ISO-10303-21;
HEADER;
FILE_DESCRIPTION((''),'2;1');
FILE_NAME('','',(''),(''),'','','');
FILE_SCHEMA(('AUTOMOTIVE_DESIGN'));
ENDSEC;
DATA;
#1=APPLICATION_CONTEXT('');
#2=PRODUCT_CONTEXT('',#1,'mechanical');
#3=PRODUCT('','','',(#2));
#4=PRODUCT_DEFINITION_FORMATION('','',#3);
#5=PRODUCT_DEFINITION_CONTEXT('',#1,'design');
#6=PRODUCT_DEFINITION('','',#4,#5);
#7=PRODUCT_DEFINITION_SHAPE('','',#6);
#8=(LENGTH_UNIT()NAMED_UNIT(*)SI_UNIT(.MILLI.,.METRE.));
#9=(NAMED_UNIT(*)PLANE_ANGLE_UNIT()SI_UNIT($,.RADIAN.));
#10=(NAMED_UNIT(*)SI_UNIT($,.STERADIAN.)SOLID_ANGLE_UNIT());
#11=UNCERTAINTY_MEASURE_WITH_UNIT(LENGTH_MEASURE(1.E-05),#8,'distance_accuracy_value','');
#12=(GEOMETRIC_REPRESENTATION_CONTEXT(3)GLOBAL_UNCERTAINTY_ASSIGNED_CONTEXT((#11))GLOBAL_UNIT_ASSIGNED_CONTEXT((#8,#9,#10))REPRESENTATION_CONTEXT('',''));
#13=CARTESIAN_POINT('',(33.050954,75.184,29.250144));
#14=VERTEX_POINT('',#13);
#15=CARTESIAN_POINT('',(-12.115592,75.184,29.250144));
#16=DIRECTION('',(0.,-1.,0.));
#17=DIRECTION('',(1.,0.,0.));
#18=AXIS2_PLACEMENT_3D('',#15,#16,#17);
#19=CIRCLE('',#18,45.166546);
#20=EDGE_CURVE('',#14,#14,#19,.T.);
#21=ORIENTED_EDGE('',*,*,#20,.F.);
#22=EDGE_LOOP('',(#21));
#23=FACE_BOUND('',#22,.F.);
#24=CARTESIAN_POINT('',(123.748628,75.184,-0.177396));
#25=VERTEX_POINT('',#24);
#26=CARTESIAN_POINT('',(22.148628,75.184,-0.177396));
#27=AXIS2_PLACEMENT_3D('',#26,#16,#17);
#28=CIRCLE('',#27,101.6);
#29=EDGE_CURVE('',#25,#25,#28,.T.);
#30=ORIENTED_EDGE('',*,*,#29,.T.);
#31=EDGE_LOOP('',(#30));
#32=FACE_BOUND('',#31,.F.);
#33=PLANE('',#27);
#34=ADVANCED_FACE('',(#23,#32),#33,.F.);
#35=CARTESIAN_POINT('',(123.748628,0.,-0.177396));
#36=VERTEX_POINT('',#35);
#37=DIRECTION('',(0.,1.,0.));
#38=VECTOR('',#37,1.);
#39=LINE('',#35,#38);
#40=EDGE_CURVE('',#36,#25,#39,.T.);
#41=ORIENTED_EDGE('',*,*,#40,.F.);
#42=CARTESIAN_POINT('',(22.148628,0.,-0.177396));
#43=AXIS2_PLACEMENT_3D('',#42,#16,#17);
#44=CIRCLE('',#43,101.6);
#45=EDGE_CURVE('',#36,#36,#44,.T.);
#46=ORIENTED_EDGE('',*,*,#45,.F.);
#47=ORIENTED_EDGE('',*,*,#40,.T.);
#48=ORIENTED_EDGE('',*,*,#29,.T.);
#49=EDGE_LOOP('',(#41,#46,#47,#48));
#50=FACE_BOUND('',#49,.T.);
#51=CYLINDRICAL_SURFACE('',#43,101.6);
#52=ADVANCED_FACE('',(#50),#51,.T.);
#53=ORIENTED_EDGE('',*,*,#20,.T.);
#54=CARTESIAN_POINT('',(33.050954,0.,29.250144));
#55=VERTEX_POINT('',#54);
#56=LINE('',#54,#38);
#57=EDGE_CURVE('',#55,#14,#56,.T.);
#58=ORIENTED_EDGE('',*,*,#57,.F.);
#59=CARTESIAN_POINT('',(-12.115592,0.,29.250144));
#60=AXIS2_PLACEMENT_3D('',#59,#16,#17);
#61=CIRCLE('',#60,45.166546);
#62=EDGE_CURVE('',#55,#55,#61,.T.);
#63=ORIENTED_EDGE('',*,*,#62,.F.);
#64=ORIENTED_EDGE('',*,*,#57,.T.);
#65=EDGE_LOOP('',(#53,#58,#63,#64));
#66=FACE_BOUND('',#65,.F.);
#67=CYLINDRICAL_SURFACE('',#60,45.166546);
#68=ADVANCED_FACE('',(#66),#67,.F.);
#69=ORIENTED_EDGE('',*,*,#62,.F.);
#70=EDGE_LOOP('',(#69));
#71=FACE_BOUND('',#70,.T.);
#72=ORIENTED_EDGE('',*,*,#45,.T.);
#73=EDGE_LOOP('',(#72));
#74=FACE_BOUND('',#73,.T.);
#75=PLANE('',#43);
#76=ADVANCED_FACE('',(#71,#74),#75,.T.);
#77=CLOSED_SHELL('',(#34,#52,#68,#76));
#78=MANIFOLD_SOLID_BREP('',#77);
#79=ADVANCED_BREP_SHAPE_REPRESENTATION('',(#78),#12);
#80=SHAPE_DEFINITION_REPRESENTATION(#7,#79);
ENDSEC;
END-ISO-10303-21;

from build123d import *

# Parameters (mm, degrees)
F0_R     = 101.6
F0_R_2   = 45.166546
F1_DEPTH = 75.184


with BuildPart() as f1:
    # F0 (on Front) → F1 (new body)
    with BuildSketch(Plane.XZ):
        with Locations((22.148628, -0.177396)):
            Circle(F0_R)
        with Locations((-12.115592, 29.250144)):
            Circle(F0_R_2, mode=Mode.SUBTRACT)
    extrude(amount=-F1_DEPTH)


solid = f1.part
